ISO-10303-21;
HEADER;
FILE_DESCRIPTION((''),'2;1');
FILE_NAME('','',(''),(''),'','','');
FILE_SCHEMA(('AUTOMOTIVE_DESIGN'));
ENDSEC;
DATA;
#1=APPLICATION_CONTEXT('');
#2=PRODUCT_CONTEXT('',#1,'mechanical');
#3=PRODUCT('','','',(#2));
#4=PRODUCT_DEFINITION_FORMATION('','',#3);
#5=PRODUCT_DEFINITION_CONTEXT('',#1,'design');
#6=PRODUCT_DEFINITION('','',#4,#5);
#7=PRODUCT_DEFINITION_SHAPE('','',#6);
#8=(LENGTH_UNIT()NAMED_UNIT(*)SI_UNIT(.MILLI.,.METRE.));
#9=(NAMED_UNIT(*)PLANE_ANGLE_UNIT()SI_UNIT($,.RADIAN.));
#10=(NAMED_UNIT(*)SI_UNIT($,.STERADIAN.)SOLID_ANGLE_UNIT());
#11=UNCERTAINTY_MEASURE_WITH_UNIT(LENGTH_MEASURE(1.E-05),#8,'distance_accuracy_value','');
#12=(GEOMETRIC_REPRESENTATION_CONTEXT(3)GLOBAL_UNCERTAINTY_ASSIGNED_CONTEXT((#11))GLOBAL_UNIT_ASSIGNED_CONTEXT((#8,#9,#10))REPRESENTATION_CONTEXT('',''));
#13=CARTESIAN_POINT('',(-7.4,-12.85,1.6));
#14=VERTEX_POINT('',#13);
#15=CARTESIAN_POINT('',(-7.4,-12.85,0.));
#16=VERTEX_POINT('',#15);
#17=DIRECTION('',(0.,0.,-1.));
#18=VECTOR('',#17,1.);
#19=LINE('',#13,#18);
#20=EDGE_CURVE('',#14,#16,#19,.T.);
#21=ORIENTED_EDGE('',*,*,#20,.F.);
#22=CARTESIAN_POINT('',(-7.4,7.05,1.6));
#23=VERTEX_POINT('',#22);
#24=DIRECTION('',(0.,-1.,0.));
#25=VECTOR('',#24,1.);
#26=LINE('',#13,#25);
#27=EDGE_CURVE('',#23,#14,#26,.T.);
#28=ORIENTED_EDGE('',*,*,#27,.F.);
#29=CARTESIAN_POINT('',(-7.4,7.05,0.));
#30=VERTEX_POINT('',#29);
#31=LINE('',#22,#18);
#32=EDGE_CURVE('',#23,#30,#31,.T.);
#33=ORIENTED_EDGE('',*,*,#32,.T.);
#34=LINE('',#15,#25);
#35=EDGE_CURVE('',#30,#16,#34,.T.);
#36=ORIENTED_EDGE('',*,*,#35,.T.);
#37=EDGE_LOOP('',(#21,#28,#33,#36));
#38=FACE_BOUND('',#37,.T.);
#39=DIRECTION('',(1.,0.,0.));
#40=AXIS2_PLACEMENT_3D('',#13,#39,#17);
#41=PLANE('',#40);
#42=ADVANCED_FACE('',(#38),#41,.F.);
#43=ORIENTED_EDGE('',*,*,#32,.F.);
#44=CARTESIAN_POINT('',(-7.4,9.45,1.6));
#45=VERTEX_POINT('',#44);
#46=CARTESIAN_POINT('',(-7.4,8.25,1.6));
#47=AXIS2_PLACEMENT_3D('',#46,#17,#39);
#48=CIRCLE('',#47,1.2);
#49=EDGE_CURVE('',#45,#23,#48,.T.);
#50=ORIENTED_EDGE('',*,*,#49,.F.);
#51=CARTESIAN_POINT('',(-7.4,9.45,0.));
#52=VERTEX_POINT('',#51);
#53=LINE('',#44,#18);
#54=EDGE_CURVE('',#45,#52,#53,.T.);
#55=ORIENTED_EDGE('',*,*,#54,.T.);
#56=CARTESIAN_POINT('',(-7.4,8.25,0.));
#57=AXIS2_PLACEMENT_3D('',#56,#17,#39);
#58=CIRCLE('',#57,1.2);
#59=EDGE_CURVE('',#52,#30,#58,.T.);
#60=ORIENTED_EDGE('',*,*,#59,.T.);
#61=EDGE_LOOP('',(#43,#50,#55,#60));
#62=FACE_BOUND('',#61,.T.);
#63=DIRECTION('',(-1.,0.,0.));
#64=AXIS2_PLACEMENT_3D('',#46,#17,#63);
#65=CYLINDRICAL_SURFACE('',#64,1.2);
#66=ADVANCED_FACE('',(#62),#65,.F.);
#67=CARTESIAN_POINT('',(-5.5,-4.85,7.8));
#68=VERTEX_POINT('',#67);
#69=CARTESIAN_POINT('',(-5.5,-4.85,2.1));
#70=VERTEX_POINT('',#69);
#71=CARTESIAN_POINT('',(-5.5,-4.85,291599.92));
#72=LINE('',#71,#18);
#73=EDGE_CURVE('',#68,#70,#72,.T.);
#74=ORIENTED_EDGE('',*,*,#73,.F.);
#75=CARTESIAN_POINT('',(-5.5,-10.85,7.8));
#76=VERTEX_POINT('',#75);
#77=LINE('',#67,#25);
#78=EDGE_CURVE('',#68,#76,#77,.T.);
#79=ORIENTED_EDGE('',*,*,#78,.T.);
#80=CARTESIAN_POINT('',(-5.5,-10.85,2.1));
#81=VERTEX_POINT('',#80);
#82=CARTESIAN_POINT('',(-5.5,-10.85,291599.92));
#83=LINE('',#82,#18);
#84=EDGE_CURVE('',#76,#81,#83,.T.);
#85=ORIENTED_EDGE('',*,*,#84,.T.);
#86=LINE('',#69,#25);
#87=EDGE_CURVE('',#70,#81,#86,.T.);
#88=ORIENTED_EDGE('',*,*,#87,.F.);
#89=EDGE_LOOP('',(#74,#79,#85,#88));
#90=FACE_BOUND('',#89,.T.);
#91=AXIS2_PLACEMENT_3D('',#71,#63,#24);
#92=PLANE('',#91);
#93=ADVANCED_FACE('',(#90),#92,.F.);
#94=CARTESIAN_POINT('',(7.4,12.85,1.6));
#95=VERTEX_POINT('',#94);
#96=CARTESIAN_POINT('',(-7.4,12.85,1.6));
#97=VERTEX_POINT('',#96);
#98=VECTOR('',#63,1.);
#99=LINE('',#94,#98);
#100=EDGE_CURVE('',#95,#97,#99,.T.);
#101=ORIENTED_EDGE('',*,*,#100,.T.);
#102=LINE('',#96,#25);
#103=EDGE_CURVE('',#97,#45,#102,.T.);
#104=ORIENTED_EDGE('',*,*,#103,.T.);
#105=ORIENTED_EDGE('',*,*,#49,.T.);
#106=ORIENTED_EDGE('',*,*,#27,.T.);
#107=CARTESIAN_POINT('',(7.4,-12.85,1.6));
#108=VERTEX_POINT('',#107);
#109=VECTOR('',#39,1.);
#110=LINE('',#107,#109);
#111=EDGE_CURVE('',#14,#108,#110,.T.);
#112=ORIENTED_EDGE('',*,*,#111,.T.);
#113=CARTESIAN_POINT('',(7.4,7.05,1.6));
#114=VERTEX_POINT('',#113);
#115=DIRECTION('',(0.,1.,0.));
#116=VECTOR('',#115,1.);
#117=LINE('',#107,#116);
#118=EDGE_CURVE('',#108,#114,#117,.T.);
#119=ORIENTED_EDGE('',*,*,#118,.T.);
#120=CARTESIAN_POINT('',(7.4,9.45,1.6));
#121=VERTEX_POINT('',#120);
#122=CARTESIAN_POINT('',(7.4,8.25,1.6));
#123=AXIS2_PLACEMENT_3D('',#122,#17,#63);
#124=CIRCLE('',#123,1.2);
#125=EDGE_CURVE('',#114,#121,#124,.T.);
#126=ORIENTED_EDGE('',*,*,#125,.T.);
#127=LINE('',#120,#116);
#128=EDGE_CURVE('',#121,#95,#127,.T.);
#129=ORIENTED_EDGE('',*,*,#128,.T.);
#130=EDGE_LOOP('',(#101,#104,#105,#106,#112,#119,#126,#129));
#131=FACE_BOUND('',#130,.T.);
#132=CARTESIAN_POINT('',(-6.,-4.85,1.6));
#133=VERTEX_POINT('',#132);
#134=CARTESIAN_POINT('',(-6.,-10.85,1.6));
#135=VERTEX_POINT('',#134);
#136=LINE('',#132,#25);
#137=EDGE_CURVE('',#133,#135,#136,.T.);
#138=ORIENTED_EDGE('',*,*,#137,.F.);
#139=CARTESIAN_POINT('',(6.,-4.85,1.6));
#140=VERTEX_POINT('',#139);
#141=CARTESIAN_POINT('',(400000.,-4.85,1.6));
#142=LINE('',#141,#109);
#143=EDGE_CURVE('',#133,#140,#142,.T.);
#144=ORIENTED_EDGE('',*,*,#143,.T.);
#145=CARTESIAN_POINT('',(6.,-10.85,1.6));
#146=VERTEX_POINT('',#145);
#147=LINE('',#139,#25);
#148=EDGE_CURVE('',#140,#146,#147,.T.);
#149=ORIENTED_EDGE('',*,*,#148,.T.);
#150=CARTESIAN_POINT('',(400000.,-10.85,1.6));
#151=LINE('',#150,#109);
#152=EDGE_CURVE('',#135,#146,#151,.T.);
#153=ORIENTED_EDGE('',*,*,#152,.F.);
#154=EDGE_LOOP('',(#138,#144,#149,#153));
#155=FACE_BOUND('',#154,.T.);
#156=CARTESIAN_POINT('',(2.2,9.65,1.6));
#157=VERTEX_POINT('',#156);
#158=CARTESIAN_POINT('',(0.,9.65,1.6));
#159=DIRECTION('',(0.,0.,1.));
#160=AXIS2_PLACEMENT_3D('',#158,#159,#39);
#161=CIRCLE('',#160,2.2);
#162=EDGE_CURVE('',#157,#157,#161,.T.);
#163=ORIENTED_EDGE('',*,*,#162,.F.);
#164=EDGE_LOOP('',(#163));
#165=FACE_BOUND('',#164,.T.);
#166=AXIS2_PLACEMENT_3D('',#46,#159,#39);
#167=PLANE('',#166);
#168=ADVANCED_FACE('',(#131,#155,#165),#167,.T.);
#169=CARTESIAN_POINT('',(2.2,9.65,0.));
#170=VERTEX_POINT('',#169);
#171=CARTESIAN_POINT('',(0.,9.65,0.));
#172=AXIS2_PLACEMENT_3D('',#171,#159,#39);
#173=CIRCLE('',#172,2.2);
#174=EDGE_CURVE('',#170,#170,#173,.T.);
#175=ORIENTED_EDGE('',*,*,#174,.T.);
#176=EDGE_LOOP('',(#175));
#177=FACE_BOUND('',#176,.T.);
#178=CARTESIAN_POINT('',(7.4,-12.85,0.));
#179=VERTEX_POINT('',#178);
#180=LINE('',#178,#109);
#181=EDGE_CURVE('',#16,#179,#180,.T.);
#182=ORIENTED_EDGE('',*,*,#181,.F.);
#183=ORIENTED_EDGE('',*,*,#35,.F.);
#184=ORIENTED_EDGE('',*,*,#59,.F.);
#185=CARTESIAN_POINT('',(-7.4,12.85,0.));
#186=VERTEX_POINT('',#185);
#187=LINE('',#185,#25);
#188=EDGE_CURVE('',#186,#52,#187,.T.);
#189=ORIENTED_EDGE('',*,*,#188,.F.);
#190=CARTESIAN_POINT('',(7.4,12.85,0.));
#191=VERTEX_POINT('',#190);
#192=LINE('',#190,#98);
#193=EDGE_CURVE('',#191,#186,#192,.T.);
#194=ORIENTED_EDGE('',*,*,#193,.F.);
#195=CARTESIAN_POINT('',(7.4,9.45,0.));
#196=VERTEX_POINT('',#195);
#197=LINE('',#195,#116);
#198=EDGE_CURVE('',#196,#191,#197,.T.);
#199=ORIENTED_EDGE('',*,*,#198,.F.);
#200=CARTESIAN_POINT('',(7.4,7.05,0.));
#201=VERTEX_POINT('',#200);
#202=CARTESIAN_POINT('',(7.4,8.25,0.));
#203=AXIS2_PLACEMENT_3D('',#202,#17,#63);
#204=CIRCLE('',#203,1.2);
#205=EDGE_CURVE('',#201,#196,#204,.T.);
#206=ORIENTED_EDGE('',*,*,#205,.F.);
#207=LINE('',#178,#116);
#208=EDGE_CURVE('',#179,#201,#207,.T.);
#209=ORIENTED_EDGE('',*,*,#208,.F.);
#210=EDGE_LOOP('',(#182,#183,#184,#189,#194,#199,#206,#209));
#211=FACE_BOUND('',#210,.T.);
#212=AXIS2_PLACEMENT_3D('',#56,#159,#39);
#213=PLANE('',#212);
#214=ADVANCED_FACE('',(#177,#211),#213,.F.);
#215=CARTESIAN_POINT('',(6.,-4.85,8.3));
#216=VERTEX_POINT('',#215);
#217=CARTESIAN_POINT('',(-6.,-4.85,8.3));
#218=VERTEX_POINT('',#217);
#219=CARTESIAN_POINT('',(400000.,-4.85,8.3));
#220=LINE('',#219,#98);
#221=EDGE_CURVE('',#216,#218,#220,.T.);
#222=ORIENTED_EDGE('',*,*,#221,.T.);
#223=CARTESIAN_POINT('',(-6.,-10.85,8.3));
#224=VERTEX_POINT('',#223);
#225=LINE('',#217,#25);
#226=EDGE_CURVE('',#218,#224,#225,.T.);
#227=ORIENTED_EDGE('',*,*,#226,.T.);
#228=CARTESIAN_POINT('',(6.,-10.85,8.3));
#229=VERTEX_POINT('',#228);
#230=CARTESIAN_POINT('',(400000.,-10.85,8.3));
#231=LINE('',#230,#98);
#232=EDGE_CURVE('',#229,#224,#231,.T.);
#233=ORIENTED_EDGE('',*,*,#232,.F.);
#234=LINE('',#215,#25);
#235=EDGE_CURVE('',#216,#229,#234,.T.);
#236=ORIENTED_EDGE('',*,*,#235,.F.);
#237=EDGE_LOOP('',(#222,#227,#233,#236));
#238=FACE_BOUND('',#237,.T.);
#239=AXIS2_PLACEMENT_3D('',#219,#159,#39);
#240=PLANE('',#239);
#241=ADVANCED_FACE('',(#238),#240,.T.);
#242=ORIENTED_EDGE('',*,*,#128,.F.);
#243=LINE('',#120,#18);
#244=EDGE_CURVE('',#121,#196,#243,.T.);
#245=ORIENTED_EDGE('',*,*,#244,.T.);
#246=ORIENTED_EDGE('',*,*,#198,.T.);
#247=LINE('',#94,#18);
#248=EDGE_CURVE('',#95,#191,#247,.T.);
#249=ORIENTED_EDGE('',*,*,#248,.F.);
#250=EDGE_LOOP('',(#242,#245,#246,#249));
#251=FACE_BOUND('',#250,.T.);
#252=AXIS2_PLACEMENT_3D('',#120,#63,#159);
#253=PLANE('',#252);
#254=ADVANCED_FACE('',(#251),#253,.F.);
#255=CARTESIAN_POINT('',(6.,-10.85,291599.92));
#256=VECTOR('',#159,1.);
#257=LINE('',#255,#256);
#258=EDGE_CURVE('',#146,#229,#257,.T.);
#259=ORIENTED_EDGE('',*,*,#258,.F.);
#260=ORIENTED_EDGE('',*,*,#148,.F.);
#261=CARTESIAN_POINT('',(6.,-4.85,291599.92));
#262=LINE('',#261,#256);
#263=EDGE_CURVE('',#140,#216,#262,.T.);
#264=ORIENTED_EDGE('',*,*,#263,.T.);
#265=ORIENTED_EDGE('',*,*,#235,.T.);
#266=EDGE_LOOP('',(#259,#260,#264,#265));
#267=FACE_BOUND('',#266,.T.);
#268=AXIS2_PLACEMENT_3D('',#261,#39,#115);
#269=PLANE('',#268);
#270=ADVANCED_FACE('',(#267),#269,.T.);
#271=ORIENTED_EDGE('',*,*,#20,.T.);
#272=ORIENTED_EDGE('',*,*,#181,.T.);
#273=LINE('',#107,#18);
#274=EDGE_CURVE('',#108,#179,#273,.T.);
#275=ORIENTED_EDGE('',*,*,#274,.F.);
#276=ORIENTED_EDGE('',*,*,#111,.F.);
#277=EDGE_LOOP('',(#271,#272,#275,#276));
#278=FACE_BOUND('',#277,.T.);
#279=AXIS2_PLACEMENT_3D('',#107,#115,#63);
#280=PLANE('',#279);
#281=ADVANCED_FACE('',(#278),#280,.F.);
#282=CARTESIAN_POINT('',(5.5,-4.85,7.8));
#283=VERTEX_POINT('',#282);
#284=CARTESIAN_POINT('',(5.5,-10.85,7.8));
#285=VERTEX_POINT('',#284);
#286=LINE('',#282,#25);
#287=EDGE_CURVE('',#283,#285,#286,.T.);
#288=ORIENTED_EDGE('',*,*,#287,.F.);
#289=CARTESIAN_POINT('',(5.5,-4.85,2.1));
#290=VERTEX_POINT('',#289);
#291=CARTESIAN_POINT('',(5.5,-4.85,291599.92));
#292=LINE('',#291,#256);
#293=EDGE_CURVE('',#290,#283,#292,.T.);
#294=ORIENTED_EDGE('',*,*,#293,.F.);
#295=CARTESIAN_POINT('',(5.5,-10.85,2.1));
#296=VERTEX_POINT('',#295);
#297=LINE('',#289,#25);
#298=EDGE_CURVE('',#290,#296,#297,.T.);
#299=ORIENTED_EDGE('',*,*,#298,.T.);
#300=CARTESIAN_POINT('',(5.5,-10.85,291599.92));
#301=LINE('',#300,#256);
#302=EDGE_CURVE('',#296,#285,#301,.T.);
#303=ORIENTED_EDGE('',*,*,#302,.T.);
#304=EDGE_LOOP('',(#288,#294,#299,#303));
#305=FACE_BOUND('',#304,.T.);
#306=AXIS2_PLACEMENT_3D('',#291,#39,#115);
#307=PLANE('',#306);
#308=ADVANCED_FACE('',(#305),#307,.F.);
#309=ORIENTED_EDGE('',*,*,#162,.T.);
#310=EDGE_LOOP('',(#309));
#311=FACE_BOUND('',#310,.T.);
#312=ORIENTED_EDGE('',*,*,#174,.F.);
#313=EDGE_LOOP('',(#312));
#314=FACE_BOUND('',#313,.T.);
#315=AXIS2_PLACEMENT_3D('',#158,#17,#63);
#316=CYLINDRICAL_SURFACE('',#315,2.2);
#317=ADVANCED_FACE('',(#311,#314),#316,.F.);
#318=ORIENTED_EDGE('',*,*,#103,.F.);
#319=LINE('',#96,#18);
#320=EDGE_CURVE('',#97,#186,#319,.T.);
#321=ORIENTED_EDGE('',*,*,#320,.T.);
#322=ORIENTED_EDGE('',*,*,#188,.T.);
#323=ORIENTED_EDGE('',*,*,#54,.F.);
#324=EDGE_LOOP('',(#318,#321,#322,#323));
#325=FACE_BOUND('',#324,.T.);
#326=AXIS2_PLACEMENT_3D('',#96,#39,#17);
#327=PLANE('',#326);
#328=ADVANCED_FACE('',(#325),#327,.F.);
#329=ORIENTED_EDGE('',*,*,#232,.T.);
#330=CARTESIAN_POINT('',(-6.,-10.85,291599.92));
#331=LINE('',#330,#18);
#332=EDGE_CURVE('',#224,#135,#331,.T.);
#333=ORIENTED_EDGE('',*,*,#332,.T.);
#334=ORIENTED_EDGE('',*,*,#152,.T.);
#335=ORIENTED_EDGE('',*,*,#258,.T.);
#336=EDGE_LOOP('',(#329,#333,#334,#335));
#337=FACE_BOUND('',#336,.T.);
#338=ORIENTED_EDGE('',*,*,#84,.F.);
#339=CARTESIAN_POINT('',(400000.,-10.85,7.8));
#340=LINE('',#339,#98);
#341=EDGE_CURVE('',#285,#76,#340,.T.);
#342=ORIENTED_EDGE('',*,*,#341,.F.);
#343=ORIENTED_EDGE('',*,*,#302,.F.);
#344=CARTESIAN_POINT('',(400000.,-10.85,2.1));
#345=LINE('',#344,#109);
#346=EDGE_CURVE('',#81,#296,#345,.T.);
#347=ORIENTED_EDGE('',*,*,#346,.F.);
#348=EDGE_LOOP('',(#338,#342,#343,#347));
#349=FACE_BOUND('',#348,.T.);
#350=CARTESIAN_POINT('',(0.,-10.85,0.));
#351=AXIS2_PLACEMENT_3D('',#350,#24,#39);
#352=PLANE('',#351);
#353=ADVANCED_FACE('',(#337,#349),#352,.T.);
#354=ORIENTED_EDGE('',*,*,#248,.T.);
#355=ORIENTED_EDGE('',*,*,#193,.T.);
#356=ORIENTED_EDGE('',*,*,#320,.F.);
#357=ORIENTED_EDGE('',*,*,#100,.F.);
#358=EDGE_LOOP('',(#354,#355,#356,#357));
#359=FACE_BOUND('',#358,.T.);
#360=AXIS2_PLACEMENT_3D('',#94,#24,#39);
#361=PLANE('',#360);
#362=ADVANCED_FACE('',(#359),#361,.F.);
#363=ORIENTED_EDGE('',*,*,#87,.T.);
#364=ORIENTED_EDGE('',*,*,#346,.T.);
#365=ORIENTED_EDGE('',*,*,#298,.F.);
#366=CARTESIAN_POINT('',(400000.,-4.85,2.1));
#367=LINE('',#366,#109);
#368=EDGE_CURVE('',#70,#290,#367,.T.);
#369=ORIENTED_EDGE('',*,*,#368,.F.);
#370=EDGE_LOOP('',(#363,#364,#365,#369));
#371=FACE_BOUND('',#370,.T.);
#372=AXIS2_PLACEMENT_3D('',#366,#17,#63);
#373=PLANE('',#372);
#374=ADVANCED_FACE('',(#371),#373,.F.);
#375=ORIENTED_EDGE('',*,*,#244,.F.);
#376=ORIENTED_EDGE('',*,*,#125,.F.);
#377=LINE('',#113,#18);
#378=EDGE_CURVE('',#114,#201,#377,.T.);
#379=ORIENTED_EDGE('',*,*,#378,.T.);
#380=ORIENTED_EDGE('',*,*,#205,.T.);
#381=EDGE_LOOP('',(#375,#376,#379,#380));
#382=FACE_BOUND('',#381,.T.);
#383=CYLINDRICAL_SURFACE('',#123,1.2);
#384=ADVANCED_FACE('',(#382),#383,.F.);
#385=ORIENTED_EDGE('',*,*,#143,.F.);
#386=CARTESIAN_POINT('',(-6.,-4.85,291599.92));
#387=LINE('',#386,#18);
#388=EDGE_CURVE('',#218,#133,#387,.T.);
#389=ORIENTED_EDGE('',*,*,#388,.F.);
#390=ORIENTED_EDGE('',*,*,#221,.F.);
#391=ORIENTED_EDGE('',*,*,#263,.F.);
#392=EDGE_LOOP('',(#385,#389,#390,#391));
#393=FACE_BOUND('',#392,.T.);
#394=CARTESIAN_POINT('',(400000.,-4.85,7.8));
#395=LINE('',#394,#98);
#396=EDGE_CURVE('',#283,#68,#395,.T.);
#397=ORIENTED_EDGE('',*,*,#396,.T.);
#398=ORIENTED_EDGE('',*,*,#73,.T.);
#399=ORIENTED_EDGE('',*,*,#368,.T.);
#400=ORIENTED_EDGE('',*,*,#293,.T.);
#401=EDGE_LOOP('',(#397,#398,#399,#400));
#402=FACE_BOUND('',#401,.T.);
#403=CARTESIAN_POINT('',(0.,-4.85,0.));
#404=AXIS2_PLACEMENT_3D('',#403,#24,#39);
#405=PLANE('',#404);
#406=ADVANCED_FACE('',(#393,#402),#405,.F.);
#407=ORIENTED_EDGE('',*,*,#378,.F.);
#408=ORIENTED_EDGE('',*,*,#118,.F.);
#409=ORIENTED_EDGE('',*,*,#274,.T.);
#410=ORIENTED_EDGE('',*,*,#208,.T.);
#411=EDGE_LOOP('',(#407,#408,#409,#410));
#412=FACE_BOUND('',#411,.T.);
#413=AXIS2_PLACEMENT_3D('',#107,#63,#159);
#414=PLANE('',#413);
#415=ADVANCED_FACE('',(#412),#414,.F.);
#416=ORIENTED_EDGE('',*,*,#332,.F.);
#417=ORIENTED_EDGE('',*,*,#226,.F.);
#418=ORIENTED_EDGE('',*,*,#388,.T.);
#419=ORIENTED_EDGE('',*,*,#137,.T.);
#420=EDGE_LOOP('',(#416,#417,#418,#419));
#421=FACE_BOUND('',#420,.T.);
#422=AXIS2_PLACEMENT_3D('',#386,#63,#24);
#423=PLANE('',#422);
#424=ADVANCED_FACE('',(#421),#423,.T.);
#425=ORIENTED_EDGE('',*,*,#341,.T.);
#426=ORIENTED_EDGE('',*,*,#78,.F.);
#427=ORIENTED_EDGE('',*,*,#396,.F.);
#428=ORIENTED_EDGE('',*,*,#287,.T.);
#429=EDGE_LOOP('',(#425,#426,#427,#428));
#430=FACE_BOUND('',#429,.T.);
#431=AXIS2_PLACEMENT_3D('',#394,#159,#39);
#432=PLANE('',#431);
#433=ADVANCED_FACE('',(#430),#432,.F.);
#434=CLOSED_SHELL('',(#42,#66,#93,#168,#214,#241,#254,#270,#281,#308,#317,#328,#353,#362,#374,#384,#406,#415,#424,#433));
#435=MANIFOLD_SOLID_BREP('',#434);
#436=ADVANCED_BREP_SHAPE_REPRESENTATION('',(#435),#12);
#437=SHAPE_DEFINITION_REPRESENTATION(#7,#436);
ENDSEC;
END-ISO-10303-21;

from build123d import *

# Parameters (mm, degrees)
CROQUIS1_R              = 2.2
SALIENTE_EXTRUIR1_DEPTH = 1.6
SALIENTE_EXTRUIR3_START = -2
CROQUIS3_W              = 12
CROQUIS3_H              = 6.7
CROQUIS3_W_2            = 11
CROQUIS3_H_2            = 5.7
SALIENTE_EXTRUIR3_DEPTH = 6


with BuildPart() as part:
    # Croquis1 → Saliente-Extruir1 (new body)
    with BuildSketch(Plane.XY):
        with BuildLine():
            Line((7.4, -12.85), (-7.4, -12.85))
            Line((-7.4, -12.85), (-7.4, 7.05))
            ThreePointArc((-7.4, 7.05), (-6.2, 8.25), (-7.4, 9.45))
            Line((-7.4, 9.45), (-7.4, 12.85))
            Line((-7.4, 12.85), (7.4, 12.85))
            Line((7.4, 12.85), (7.4, 9.45))
            ThreePointArc((7.4, 9.45), (6.2, 8.25), (7.4, 7.05))
            Line((7.4, 7.05), (7.4, -12.85))
        make_face()
        with Locations((0, 9.65)):
            Circle(CROQUIS1_R, mode=Mode.SUBTRACT)
    extrude(amount=SALIENTE_EXTRUIR1_DEPTH)

    # Croquis3 → Saliente-Extruir3 (add)
    with BuildSketch(Plane.XZ.offset(12.85).offset(SALIENTE_EXTRUIR3_START)):
        with Locations((0, 4.95)):
            Rectangle(CROQUIS3_W, CROQUIS3_H)
        with Locations((0, 4.95)):
            Rectangle(CROQUIS3_W_2, CROQUIS3_H_2, mode=Mode.SUBTRACT)
    extrude(amount=-SALIENTE_EXTRUIR3_DEPTH)


solid = part.part
